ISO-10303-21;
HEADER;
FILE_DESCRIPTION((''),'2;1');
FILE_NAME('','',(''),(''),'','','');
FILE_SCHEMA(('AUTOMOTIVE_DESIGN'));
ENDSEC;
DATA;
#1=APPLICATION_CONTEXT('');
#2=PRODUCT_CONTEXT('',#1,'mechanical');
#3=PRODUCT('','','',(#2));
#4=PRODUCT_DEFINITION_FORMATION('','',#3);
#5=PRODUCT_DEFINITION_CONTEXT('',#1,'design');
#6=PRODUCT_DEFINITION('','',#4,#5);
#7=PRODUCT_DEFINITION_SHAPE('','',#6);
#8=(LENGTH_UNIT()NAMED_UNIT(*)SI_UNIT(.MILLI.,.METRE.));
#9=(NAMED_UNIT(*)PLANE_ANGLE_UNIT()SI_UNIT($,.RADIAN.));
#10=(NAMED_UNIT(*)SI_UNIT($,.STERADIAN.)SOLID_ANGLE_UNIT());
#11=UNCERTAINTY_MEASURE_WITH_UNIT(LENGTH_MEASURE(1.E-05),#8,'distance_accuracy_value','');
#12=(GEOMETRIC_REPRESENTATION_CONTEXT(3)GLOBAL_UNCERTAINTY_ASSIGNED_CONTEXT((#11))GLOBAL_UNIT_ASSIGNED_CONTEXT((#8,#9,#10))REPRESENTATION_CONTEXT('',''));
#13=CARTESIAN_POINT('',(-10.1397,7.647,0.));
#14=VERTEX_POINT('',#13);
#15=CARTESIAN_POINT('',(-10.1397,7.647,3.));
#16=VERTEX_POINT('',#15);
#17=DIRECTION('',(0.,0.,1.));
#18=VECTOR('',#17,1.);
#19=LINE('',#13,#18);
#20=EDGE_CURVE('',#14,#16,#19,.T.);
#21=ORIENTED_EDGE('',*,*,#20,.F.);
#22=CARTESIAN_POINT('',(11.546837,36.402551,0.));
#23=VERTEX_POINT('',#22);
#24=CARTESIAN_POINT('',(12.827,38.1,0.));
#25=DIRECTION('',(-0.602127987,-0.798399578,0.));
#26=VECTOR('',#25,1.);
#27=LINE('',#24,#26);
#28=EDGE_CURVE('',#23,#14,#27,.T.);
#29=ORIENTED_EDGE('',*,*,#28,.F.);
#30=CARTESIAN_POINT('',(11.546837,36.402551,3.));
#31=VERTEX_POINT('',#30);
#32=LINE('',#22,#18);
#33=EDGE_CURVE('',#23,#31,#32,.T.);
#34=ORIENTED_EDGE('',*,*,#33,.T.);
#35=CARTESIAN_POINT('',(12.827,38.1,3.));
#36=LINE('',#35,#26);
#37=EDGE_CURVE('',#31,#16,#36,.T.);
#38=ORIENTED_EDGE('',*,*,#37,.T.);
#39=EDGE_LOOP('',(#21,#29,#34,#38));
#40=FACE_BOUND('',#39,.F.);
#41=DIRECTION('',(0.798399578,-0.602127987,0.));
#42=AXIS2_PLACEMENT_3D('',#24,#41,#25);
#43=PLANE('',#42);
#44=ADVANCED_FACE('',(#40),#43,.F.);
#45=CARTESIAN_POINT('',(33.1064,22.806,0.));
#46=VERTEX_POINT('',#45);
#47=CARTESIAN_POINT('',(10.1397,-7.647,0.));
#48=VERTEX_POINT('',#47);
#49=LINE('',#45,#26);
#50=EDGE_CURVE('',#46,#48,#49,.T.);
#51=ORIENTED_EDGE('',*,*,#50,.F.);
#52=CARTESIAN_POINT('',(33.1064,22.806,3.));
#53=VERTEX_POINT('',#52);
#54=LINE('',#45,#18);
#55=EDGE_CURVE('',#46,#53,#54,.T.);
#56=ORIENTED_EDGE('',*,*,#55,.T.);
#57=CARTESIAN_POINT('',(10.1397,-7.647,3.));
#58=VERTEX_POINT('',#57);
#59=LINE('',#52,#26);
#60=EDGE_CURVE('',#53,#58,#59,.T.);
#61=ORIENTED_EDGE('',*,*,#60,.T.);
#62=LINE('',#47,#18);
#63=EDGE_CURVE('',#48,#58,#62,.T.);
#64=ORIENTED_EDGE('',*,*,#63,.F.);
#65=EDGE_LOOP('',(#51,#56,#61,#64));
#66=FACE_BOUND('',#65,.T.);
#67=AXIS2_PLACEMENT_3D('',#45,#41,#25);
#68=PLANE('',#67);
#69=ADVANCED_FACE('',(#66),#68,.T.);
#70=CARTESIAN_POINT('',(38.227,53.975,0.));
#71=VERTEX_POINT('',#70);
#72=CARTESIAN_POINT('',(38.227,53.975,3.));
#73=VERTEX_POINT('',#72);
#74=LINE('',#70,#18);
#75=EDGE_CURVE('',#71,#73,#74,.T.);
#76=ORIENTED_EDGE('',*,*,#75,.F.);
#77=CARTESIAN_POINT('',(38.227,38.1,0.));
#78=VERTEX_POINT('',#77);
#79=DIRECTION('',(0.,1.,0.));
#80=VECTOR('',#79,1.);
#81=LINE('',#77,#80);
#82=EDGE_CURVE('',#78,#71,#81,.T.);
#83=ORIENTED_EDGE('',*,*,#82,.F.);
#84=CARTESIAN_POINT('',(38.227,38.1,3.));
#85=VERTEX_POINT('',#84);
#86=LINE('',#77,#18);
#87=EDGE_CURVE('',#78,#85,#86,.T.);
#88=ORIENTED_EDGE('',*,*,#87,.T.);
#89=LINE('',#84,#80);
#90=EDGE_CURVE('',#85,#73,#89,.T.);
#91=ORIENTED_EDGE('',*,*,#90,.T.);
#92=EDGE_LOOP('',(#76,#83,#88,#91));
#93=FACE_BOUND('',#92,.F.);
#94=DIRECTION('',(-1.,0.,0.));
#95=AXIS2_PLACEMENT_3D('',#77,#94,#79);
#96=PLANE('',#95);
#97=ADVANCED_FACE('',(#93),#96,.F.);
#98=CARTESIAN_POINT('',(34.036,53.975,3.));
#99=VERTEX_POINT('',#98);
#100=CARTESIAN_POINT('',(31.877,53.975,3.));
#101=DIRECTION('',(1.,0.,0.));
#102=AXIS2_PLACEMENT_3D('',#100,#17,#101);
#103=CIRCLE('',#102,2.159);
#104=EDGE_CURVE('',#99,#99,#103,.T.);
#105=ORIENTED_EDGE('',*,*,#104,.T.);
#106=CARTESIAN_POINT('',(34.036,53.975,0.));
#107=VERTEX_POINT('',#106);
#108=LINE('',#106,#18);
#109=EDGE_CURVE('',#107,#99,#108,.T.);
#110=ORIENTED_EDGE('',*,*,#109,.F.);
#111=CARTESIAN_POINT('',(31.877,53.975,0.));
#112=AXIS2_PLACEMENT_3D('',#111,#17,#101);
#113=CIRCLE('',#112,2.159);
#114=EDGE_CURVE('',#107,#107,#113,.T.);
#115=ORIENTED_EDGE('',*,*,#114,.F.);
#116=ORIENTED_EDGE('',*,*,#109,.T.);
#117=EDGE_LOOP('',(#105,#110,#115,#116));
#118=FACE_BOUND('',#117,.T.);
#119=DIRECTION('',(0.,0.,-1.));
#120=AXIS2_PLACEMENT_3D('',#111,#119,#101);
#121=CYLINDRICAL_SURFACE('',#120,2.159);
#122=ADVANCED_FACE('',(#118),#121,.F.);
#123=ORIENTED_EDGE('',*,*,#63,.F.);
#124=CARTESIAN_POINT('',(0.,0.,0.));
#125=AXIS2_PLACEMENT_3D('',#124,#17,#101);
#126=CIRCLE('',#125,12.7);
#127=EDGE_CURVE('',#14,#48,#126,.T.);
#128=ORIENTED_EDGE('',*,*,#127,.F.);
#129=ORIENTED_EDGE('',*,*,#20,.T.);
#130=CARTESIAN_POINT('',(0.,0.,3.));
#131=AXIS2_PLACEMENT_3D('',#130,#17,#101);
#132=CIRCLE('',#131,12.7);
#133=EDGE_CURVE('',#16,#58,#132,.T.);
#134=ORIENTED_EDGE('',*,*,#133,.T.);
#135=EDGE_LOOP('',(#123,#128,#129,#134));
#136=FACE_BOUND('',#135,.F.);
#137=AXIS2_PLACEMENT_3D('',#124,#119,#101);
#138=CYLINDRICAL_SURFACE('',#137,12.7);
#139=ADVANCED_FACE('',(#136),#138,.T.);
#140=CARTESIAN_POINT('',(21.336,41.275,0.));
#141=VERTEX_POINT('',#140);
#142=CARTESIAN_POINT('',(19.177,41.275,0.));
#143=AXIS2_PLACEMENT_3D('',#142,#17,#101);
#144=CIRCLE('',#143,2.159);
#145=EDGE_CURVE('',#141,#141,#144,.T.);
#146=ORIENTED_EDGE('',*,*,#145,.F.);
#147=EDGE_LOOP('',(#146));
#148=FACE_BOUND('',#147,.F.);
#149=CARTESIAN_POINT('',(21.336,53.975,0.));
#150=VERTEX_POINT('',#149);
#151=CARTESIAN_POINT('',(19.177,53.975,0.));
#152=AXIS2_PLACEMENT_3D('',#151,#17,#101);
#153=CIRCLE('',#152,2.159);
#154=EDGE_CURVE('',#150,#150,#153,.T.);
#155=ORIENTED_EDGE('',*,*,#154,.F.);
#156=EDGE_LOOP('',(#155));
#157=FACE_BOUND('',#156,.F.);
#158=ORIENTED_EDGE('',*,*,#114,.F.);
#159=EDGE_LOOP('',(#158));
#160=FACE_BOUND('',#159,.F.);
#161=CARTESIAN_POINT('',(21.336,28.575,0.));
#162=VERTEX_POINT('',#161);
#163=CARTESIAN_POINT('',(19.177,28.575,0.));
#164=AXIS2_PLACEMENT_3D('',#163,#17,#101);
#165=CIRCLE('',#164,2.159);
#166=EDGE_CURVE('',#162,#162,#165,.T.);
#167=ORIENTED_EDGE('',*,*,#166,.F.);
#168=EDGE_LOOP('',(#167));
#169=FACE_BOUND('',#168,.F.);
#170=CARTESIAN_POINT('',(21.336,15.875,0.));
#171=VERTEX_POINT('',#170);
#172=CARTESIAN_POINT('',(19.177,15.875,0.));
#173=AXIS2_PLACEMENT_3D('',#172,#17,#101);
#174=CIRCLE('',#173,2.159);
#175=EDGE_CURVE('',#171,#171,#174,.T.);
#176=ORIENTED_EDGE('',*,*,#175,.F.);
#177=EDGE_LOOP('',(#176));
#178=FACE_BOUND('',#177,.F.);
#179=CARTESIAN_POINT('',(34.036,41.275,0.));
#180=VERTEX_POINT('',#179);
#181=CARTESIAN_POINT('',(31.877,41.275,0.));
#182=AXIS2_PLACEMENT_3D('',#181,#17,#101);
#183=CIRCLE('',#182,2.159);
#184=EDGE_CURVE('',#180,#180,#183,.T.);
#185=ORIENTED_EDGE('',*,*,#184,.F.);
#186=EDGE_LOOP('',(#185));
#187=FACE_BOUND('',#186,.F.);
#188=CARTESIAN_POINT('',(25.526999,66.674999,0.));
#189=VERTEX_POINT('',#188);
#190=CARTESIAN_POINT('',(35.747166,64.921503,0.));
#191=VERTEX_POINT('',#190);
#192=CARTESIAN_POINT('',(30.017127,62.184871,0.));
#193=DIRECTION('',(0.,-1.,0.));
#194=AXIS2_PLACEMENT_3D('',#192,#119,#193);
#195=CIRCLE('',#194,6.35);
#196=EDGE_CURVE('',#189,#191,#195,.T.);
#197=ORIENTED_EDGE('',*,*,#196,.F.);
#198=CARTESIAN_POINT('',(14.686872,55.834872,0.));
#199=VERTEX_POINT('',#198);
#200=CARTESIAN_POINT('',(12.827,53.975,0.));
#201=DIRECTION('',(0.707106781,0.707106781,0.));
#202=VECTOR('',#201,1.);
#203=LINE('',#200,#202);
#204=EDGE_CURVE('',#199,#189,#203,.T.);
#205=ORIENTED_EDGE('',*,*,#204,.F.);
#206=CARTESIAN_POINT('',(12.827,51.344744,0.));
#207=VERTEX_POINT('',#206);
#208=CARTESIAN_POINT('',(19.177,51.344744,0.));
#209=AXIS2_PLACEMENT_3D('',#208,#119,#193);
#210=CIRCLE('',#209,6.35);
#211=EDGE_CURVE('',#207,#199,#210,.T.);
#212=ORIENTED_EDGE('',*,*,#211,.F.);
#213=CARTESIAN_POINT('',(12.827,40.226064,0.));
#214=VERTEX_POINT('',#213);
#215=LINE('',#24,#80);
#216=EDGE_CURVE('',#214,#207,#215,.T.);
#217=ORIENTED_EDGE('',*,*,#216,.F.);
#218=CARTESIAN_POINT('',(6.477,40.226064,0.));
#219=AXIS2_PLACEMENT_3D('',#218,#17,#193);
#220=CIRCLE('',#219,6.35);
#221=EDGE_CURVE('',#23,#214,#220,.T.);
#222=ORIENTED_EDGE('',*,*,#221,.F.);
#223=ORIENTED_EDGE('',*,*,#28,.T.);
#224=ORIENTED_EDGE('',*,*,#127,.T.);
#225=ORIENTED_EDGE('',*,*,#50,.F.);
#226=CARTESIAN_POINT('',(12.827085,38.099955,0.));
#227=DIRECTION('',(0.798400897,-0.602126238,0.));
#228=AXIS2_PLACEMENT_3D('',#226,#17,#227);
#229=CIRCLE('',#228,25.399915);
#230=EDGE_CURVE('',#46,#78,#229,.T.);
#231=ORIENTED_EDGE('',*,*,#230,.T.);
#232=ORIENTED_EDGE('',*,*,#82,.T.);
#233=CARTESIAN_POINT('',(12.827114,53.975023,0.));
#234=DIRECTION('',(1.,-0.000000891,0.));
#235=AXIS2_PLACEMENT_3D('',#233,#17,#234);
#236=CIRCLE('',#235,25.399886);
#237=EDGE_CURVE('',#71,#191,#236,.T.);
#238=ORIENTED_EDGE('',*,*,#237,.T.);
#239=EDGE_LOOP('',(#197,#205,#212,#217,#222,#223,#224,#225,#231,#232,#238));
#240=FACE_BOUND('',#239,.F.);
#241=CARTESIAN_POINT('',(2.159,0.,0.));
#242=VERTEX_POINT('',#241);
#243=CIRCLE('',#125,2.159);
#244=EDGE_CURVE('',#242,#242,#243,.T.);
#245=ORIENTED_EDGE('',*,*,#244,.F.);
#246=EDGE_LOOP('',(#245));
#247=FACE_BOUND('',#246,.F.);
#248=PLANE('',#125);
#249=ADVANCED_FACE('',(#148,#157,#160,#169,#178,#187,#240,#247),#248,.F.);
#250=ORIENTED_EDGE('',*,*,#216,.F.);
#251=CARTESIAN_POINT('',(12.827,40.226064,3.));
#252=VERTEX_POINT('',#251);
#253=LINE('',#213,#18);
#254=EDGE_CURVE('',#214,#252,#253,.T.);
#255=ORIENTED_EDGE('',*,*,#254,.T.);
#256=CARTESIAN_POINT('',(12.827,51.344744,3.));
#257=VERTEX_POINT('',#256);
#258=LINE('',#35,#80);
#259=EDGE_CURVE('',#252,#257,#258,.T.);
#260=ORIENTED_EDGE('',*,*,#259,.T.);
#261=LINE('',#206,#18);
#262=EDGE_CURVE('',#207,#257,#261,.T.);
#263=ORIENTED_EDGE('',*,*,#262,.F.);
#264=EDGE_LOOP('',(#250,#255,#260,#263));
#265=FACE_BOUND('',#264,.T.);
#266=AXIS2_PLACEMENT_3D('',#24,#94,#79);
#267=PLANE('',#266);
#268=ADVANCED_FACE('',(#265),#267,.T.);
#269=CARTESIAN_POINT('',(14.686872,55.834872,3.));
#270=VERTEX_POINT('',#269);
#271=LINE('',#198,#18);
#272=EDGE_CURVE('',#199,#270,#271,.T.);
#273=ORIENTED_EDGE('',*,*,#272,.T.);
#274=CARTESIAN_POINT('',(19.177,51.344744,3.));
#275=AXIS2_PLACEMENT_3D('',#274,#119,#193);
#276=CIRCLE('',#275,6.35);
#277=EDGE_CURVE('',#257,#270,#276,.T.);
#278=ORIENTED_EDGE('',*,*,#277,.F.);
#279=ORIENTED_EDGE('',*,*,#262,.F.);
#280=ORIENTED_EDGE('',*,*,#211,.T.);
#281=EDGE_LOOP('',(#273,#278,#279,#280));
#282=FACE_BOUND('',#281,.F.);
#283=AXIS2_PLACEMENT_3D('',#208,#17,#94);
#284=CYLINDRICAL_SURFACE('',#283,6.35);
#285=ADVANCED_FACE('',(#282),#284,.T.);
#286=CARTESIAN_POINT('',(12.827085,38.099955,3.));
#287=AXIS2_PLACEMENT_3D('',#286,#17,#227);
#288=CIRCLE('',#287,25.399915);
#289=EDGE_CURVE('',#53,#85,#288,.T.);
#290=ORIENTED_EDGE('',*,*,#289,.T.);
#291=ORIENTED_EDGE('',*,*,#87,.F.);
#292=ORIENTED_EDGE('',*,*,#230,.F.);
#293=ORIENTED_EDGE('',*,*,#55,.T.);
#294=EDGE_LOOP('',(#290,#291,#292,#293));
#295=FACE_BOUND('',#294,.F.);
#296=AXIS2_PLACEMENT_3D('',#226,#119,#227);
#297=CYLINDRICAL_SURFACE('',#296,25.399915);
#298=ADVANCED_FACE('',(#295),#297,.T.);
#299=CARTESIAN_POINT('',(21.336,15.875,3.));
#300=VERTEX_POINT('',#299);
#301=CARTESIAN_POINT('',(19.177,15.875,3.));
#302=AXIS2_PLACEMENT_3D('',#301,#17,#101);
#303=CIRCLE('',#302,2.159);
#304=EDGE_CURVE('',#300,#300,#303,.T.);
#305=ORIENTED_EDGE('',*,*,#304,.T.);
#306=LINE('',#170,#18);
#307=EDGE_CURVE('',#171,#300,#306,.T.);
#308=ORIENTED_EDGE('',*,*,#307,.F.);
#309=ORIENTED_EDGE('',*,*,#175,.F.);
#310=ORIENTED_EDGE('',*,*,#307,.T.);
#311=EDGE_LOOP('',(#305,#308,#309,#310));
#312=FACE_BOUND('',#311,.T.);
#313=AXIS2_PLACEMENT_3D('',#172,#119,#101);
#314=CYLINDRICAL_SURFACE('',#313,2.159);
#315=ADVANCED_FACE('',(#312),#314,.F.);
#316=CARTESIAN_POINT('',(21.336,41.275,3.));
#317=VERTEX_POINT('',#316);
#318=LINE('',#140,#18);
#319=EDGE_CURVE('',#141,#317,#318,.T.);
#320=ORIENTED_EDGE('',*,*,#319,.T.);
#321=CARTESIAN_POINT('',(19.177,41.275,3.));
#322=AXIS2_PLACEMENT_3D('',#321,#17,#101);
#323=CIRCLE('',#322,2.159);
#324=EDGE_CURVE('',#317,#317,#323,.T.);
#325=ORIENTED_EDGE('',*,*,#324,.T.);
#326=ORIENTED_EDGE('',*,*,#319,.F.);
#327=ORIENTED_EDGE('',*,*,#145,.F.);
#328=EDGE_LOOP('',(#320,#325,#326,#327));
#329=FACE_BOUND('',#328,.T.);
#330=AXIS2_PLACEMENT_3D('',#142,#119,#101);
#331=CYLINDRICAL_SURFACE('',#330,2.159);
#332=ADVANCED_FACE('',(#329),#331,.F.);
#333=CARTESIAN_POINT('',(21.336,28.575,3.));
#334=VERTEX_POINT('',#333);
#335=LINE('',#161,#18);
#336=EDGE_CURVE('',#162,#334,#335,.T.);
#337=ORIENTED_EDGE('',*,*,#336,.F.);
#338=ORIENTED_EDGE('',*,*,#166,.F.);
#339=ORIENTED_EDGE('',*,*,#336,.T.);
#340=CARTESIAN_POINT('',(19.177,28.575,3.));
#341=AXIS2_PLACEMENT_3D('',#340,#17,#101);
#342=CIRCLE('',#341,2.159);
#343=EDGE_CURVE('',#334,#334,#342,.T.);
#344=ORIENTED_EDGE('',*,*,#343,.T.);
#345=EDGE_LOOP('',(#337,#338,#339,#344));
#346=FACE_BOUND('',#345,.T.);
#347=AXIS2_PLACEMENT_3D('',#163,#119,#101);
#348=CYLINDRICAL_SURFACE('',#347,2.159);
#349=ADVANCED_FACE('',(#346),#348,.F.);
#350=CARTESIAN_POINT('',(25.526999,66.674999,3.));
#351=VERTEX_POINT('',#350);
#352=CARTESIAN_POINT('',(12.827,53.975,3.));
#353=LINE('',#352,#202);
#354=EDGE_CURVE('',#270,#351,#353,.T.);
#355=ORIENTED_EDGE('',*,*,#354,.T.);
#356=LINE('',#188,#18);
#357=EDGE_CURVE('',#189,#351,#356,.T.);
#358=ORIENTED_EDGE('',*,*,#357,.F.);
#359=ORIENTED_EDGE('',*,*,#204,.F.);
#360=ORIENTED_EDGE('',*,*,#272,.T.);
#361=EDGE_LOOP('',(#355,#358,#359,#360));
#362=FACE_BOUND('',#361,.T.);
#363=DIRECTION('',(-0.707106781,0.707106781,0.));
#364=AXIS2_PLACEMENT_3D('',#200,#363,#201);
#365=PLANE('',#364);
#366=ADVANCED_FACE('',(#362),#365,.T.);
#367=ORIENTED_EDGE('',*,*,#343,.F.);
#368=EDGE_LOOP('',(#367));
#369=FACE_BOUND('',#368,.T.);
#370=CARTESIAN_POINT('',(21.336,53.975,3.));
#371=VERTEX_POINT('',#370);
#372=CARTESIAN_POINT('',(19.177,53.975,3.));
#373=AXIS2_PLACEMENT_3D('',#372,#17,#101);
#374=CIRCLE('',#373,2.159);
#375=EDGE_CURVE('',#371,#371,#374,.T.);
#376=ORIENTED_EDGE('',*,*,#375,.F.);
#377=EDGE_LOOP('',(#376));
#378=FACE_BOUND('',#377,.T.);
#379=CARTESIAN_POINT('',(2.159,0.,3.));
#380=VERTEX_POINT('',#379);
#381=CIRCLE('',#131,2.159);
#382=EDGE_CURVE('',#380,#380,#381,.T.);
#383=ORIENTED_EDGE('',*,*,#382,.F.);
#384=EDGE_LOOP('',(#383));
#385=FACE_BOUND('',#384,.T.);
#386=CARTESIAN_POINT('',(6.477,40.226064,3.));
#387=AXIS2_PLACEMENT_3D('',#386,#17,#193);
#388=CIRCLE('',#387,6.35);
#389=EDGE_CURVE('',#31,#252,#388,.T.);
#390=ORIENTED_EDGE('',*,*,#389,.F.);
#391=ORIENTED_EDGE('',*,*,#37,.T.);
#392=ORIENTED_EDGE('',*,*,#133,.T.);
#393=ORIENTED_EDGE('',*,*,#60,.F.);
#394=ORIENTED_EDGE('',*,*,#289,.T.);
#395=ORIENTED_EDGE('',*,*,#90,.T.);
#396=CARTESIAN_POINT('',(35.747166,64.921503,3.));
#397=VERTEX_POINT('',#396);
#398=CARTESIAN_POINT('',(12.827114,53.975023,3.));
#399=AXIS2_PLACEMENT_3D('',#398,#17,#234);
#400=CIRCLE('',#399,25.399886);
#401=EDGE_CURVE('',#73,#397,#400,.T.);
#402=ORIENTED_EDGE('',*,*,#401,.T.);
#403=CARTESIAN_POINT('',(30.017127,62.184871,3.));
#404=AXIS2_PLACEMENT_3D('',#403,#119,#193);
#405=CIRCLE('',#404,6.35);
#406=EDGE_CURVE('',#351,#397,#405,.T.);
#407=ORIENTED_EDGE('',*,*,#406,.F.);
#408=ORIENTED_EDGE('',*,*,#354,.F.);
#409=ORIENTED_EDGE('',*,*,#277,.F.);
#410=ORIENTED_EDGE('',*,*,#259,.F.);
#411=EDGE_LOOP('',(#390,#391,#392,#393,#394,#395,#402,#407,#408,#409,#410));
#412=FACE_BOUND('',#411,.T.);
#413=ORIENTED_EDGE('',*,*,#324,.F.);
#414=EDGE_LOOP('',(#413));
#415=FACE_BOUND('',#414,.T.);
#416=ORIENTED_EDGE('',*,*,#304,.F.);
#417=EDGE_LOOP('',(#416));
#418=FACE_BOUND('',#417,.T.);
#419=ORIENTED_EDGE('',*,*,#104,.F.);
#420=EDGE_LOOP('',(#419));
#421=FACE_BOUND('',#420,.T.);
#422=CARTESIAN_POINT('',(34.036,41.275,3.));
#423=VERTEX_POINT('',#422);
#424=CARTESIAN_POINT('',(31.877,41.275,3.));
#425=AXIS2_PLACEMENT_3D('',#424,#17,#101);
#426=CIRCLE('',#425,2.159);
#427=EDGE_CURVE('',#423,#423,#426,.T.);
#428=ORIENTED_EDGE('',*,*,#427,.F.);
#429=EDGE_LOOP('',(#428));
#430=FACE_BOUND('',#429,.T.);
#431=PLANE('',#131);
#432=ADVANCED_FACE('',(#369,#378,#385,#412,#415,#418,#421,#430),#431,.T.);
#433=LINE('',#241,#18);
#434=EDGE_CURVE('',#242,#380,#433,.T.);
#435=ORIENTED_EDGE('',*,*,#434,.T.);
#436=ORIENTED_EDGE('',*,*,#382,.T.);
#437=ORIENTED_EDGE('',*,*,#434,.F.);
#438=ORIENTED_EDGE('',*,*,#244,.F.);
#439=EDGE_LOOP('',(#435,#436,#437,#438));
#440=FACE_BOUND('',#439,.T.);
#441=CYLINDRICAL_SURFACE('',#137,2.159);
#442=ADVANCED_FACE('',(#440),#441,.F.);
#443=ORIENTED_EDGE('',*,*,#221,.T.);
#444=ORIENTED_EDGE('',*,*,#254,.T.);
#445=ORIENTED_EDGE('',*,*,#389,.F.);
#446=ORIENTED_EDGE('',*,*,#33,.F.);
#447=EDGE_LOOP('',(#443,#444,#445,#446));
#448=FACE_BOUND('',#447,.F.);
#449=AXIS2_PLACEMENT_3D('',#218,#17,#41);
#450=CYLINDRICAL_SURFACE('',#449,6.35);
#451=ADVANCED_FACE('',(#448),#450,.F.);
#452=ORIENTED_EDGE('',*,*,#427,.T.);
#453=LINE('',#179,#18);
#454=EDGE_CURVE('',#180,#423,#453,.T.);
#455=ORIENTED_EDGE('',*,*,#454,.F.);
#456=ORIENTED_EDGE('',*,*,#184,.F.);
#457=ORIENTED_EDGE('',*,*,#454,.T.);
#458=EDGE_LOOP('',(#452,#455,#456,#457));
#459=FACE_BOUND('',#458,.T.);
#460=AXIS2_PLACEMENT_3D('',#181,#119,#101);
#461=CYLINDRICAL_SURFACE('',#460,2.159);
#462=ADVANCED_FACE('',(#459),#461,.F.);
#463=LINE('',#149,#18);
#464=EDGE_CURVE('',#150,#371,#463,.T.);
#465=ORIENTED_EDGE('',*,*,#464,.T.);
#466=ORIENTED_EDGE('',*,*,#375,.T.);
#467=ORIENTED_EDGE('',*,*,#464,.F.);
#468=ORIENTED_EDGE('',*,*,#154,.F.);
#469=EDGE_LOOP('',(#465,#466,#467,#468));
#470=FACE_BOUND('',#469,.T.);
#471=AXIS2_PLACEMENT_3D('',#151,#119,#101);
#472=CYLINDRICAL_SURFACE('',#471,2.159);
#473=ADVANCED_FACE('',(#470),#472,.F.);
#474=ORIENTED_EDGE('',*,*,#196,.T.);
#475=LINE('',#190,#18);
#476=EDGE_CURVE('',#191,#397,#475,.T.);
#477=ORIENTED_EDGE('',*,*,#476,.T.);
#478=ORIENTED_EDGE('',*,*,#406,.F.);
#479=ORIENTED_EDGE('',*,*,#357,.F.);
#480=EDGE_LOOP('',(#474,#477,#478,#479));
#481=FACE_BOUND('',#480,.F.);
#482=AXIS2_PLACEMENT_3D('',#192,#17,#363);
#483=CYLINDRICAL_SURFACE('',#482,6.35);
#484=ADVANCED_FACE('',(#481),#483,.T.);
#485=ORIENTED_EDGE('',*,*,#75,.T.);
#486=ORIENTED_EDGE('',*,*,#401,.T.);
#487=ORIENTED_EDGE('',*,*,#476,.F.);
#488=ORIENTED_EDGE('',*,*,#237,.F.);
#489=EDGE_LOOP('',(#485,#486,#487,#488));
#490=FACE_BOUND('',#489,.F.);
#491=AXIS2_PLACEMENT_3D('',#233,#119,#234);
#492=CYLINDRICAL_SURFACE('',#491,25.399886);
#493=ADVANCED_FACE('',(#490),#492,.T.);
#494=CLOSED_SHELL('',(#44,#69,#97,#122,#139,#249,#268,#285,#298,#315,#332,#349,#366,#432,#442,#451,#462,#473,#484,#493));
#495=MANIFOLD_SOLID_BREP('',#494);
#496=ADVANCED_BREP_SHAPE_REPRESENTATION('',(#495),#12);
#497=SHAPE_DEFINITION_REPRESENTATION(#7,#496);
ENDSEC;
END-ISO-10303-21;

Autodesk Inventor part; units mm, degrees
ref_plane "YZ Plane" through (0, 0, 0) normal (1, 0, 0) x (0, 1, 0)
ref_plane "XZ Plane" through (0, 0, 0) normal (0, 1, 0) x (-1, 0, 0)
ref_plane "XY Plane" through (0, 0, 0) normal (0, 0, 1) x (1, 0, 0)
sketch "Sketch1" plane through (0, 0, 0) normal (0, 0, 1) x (1, 0, 0)
  circle A0 centre (0, 0) radius 2.159
  circle A1 centre (0, 0) radius 12.7
  line L0 (0, 0) -> (0, 38.1) construction
  line L1 (0, 38.1) -> (12.827, 38.1) construction
  line L2 (12.827, 38.1) -> (12.827, 53.975)
  line L3 (12.827, 53.975) -> (30.7875, 71.9355)
  line L4 (12.827, 53.975) -> (38.227, 53.975) construction
  arc A2 (38.227, 53.975) -> (30.7875, 71.9355) centre (12.827, 53.975) ccw
  line L5 (12.827, 38.1) -> (-10.1397, 7.647)
  arc A3 (33.1064, 22.806) -> (38.227, 38.1) centre (12.827, 38.1) ccw
  line L6 (33.1064, 22.806) -> (10.1397, -7.647)
  line L7 (38.227, 38.1) -> (38.227, 53.975)
  circle A4 centre (31.877, 53.975) radius 2.159
  circle A5 centre (19.177, 53.975) radius 2.159
  circle A6 centre (31.877, 41.275) radius 2.159
  circle A7 centre (19.177, 41.275) radius 2.159
  circle A8 centre (31.877, 53.975) radius 6.35 construction
  circle A9 centre (19.177, 53.975) radius 6.35 construction
  circle A10 centre (19.177, 28.575) radius 2.159
  circle A11 centre (19.177, 15.875) radius 2.159
  dimension "d0" = 4.318
  dimension "d1" = 25.4
  dimension "d2" = 38.1
  dimension "d3" = 12.827
  dimension "d4" = 15.875
  dimension "d5" = 25.4
  dimension "d6" = 45
  dimension "d7" = 4.318
  dimension "d10" = 12.7
  dimension "d13" = 12.7
  dimension "d17" = 12.7
  dimension "d18" = 12.7
extrude "Extrusion1" add sketch "Sketch1" along normal blind 3
fillet "Fillet1" radius 6.35 3 edges at (30.7875, 71.9355, 1.5) (12.827, 53.975, 1.5) (12.827, 38.1, 1.5)
properties part number "IntakeAftArm"
